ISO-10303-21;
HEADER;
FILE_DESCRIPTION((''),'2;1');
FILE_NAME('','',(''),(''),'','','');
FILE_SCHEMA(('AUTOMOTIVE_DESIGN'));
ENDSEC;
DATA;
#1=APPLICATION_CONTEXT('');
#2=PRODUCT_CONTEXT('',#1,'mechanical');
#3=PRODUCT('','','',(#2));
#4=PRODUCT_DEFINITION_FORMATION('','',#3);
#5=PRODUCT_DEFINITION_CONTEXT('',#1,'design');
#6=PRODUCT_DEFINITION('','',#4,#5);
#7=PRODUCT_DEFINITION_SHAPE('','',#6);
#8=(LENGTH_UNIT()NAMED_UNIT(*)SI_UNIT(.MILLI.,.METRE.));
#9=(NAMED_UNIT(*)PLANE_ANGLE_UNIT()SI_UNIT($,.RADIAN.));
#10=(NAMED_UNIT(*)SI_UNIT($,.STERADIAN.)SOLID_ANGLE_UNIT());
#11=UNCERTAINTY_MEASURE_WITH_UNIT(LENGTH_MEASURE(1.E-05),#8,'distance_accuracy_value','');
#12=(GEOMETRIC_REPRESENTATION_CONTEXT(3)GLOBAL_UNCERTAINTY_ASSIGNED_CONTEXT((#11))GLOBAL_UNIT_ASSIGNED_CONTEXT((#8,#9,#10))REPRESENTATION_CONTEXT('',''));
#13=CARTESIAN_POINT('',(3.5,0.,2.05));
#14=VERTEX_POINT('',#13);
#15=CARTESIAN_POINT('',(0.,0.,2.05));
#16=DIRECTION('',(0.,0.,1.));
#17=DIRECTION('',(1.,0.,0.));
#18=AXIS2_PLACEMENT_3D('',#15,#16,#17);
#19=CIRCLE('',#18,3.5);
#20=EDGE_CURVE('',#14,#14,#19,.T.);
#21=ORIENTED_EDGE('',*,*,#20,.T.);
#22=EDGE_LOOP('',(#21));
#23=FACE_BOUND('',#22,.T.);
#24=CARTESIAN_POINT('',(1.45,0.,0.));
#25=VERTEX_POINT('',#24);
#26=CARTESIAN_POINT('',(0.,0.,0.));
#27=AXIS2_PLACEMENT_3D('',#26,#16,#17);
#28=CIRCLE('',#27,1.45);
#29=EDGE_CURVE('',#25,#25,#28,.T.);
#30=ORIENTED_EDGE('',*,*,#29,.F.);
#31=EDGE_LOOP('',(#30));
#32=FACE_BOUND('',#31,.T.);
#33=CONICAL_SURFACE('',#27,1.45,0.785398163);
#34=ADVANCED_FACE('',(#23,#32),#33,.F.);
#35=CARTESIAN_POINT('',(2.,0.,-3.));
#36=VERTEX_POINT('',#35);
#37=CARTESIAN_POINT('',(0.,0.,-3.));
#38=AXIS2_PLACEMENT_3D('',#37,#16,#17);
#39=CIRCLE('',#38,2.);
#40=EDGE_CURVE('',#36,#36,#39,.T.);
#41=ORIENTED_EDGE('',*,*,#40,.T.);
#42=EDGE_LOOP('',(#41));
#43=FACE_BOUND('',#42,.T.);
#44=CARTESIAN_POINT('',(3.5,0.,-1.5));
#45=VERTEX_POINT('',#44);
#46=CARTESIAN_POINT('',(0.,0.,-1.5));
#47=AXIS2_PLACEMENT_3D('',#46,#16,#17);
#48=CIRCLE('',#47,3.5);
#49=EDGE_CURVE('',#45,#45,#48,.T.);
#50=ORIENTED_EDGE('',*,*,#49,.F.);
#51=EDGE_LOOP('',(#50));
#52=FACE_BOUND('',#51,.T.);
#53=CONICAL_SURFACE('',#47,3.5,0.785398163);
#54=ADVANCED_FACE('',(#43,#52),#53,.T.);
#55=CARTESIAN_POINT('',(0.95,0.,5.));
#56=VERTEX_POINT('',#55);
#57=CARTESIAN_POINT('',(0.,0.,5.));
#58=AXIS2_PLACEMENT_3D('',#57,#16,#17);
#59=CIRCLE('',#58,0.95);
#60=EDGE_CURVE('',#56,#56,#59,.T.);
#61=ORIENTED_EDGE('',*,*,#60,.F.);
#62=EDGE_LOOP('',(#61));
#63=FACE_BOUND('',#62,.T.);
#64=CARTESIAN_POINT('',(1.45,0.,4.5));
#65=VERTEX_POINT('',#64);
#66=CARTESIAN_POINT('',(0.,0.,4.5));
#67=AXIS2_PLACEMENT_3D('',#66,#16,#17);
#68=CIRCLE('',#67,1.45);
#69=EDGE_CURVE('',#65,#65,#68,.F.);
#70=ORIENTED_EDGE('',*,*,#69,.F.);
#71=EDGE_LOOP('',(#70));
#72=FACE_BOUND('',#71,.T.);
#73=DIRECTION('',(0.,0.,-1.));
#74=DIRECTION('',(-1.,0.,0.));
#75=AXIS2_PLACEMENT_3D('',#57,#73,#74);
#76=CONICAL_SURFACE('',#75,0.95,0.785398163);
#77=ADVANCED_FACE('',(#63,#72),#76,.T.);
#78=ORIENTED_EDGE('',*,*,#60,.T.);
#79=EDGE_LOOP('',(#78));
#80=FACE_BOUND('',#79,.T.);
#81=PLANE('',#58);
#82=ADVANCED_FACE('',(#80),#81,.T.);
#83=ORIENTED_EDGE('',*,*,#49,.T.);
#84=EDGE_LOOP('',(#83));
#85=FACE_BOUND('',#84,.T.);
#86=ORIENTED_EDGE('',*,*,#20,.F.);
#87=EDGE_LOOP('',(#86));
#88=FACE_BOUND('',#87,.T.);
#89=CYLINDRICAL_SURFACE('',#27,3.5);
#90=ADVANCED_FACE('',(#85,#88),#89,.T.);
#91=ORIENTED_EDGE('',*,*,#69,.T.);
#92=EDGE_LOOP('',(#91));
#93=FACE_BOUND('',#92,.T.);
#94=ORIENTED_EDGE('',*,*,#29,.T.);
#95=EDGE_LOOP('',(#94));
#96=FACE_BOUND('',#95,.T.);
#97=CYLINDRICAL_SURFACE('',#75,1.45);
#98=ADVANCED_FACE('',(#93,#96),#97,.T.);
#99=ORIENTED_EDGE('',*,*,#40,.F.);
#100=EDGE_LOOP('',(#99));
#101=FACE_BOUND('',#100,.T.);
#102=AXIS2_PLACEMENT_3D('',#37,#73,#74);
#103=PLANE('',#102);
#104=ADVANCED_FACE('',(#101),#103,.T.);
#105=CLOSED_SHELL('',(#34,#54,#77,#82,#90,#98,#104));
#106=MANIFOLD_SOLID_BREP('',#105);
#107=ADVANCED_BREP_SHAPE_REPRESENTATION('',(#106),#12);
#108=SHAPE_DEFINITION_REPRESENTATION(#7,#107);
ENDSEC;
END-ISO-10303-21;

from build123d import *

# Parameters (mm, degrees)
SKETCH_1_R      = 1.45
EXTRUDE_1_DEPTH = 5
CHAMFER_1_SIZE  = 0.5


with BuildPart() as part:
    # 스케치1 → 보스-돌출1 (new body)
    with BuildSketch(Plane.XY):
        Circle(SKETCH_1_R)
    extrude(amount=EXTRUDE_1_DEPTH)

    # 스케치3 → 회전1 (revolve)
    with BuildSketch(Plane(origin=(0, 0, 0), x_dir=(0, 0, -1), z_dir=(1, 0, 0)), mode=Mode.PRIVATE) as revolve_1_sk:
        Polygon((0, 0), (3, 0), (3, -2), (1.5, -3.5), (-2.05, -3.5), (0, -1.45), align=None)
    revolve(revolve_1_sk.sketch.rotate(Axis((0, 0, 0), (0, 0, -1)), 270), axis=Axis((0, 0, 0), (0, 0, -1)))

    # 모따기1
    chamfer_1_edges = [part.edges().sort_by_distance(p)[0] for p in [
        (-1.45, 0, 5),
    ]]
    chamfer(chamfer_1_edges, length=CHAMFER_1_SIZE)


solid = part.part
